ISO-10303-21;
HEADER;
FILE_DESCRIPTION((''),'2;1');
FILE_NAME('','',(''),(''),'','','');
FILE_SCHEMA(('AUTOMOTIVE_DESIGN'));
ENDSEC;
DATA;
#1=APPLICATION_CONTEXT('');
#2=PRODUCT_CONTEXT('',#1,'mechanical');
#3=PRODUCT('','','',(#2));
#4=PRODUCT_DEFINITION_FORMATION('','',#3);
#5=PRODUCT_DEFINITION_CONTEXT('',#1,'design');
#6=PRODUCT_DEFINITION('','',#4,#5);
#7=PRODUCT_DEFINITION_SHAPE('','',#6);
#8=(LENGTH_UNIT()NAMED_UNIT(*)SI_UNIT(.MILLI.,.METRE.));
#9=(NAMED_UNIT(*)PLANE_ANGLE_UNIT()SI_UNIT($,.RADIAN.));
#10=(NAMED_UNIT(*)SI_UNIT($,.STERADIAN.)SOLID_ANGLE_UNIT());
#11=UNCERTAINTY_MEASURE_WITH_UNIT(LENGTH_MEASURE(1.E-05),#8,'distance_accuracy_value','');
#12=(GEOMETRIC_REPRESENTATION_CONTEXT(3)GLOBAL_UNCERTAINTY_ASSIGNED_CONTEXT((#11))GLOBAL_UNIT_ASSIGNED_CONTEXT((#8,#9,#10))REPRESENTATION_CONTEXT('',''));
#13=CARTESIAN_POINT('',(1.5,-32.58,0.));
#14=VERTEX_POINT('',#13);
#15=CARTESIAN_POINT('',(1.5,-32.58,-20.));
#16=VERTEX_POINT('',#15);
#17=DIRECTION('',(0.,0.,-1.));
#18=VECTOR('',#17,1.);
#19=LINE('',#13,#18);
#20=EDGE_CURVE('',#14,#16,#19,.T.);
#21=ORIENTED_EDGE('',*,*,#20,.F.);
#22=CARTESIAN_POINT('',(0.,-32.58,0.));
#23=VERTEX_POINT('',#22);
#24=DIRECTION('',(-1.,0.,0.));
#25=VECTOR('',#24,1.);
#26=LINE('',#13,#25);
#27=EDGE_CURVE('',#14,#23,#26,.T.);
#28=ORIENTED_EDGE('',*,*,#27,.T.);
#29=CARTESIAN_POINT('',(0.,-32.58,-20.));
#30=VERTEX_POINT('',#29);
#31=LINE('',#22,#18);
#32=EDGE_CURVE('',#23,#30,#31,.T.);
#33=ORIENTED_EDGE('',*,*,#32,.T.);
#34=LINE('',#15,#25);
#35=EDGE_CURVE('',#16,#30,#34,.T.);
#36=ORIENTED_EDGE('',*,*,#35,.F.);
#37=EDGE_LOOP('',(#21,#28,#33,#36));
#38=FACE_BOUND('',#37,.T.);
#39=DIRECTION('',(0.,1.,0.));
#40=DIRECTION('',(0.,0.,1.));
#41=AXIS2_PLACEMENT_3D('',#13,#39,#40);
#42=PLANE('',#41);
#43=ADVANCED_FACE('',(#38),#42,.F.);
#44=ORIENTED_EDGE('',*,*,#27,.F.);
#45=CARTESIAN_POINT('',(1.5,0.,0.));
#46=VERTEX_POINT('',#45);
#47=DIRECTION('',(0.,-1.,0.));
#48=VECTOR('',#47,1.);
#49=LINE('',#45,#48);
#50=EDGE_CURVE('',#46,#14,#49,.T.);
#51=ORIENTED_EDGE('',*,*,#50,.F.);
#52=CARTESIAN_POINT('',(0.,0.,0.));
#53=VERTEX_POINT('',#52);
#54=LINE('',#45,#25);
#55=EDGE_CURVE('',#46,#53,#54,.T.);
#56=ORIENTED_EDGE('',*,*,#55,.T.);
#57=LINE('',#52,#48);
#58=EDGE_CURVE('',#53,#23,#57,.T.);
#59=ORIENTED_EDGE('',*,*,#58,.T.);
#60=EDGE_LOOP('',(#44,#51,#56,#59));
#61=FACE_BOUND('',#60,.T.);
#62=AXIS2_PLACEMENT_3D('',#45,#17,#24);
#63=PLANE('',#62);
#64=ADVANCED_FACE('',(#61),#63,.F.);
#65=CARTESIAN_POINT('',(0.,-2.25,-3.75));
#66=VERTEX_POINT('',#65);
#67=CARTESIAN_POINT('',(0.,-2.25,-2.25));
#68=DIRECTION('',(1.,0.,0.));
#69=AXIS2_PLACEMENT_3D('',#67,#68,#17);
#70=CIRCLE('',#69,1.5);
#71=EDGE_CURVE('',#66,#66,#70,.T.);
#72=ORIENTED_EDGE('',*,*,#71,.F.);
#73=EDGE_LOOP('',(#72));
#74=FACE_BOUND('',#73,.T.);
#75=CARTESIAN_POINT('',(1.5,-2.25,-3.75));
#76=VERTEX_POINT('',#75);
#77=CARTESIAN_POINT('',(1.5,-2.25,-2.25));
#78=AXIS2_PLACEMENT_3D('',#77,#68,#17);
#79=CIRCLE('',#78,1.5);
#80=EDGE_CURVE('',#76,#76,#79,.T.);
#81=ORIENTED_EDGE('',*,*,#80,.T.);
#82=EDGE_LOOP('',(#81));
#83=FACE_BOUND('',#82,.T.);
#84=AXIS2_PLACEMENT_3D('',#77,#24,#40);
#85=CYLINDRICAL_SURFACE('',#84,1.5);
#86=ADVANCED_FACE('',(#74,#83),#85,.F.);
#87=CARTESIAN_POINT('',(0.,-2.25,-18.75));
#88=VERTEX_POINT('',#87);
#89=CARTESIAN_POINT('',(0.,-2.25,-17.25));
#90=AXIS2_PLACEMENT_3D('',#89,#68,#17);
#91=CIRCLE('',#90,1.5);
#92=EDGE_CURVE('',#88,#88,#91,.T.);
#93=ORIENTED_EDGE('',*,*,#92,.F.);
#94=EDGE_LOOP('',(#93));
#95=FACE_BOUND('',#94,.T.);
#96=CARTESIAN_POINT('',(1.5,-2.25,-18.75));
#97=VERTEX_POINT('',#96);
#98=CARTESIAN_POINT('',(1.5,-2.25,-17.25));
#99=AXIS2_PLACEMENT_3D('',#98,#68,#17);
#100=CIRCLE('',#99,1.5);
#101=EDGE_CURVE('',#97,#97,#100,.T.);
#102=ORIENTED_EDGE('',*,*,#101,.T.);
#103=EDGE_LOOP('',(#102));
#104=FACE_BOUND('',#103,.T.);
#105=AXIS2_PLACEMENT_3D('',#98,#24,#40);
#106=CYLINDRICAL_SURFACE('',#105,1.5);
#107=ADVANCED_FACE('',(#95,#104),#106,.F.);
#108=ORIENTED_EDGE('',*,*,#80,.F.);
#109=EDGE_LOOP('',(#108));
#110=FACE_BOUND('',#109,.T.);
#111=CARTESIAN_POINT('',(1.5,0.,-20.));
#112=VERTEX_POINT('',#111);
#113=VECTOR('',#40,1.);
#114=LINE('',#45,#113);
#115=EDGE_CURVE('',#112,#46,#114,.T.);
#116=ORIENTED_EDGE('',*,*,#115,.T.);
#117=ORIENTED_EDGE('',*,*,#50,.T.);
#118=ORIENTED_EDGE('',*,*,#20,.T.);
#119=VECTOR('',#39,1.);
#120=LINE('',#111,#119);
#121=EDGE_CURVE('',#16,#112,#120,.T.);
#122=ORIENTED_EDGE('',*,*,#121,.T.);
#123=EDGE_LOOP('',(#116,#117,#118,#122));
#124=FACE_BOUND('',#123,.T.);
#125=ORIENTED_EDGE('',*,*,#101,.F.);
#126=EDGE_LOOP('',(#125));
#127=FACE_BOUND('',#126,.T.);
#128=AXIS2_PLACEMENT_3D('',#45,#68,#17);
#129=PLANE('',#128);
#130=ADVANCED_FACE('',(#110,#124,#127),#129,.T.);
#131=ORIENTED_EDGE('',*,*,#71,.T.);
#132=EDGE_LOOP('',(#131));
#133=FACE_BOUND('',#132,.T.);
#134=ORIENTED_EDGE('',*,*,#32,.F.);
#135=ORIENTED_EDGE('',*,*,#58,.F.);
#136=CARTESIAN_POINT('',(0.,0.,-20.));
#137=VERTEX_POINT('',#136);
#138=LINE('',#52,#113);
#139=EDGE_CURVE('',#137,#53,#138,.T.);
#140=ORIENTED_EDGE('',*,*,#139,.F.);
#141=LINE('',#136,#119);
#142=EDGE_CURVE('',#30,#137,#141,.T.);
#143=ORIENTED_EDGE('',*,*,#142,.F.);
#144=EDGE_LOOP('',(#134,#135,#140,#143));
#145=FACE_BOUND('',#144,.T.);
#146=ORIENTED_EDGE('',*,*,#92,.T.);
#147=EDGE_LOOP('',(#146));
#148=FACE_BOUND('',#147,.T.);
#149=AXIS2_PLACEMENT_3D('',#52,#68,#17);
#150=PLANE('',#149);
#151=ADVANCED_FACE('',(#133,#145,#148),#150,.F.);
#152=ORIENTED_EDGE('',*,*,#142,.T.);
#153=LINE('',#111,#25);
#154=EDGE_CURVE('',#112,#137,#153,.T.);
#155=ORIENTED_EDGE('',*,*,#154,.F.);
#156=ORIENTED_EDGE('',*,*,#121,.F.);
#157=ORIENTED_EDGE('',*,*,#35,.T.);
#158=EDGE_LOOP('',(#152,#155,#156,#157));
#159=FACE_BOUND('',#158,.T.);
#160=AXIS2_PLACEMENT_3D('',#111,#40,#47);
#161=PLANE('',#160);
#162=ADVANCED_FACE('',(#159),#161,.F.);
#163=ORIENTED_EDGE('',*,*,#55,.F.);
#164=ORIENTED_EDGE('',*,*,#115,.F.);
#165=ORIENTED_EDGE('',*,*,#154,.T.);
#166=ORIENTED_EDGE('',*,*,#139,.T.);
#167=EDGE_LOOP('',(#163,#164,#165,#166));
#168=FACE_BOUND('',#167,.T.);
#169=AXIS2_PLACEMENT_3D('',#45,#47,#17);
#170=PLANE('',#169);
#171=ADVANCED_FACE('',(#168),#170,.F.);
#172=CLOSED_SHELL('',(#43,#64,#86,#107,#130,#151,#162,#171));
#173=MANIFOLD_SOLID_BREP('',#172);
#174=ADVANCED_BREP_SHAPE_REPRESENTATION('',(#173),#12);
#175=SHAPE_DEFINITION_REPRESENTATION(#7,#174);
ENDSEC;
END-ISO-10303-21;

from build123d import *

# Parameters (mm, degrees)
SKETCH1_W           = 20
SKETCH1_H           = 32.58
SKETCH1_R           = 1.5
BOSS_EXTRUDE1_DEPTH = 1.5


with BuildPart() as part:
    # Sketch1 → Boss-Extrude1 (new body)
    with BuildSketch(Plane(origin=(0, 0, 0), x_dir=(0, 0, -1), z_dir=(1, 0, 0))):
        with Locations((10, -16.29)):
            Rectangle(SKETCH1_W, SKETCH1_H)
        with Locations((2.25, -2.25)):
            Circle(SKETCH1_R, mode=Mode.SUBTRACT)
        with Locations((17.25, -2.25)):
            Circle(SKETCH1_R, mode=Mode.SUBTRACT)
    extrude(amount=BOSS_EXTRUDE1_DEPTH)


solid = part.part
